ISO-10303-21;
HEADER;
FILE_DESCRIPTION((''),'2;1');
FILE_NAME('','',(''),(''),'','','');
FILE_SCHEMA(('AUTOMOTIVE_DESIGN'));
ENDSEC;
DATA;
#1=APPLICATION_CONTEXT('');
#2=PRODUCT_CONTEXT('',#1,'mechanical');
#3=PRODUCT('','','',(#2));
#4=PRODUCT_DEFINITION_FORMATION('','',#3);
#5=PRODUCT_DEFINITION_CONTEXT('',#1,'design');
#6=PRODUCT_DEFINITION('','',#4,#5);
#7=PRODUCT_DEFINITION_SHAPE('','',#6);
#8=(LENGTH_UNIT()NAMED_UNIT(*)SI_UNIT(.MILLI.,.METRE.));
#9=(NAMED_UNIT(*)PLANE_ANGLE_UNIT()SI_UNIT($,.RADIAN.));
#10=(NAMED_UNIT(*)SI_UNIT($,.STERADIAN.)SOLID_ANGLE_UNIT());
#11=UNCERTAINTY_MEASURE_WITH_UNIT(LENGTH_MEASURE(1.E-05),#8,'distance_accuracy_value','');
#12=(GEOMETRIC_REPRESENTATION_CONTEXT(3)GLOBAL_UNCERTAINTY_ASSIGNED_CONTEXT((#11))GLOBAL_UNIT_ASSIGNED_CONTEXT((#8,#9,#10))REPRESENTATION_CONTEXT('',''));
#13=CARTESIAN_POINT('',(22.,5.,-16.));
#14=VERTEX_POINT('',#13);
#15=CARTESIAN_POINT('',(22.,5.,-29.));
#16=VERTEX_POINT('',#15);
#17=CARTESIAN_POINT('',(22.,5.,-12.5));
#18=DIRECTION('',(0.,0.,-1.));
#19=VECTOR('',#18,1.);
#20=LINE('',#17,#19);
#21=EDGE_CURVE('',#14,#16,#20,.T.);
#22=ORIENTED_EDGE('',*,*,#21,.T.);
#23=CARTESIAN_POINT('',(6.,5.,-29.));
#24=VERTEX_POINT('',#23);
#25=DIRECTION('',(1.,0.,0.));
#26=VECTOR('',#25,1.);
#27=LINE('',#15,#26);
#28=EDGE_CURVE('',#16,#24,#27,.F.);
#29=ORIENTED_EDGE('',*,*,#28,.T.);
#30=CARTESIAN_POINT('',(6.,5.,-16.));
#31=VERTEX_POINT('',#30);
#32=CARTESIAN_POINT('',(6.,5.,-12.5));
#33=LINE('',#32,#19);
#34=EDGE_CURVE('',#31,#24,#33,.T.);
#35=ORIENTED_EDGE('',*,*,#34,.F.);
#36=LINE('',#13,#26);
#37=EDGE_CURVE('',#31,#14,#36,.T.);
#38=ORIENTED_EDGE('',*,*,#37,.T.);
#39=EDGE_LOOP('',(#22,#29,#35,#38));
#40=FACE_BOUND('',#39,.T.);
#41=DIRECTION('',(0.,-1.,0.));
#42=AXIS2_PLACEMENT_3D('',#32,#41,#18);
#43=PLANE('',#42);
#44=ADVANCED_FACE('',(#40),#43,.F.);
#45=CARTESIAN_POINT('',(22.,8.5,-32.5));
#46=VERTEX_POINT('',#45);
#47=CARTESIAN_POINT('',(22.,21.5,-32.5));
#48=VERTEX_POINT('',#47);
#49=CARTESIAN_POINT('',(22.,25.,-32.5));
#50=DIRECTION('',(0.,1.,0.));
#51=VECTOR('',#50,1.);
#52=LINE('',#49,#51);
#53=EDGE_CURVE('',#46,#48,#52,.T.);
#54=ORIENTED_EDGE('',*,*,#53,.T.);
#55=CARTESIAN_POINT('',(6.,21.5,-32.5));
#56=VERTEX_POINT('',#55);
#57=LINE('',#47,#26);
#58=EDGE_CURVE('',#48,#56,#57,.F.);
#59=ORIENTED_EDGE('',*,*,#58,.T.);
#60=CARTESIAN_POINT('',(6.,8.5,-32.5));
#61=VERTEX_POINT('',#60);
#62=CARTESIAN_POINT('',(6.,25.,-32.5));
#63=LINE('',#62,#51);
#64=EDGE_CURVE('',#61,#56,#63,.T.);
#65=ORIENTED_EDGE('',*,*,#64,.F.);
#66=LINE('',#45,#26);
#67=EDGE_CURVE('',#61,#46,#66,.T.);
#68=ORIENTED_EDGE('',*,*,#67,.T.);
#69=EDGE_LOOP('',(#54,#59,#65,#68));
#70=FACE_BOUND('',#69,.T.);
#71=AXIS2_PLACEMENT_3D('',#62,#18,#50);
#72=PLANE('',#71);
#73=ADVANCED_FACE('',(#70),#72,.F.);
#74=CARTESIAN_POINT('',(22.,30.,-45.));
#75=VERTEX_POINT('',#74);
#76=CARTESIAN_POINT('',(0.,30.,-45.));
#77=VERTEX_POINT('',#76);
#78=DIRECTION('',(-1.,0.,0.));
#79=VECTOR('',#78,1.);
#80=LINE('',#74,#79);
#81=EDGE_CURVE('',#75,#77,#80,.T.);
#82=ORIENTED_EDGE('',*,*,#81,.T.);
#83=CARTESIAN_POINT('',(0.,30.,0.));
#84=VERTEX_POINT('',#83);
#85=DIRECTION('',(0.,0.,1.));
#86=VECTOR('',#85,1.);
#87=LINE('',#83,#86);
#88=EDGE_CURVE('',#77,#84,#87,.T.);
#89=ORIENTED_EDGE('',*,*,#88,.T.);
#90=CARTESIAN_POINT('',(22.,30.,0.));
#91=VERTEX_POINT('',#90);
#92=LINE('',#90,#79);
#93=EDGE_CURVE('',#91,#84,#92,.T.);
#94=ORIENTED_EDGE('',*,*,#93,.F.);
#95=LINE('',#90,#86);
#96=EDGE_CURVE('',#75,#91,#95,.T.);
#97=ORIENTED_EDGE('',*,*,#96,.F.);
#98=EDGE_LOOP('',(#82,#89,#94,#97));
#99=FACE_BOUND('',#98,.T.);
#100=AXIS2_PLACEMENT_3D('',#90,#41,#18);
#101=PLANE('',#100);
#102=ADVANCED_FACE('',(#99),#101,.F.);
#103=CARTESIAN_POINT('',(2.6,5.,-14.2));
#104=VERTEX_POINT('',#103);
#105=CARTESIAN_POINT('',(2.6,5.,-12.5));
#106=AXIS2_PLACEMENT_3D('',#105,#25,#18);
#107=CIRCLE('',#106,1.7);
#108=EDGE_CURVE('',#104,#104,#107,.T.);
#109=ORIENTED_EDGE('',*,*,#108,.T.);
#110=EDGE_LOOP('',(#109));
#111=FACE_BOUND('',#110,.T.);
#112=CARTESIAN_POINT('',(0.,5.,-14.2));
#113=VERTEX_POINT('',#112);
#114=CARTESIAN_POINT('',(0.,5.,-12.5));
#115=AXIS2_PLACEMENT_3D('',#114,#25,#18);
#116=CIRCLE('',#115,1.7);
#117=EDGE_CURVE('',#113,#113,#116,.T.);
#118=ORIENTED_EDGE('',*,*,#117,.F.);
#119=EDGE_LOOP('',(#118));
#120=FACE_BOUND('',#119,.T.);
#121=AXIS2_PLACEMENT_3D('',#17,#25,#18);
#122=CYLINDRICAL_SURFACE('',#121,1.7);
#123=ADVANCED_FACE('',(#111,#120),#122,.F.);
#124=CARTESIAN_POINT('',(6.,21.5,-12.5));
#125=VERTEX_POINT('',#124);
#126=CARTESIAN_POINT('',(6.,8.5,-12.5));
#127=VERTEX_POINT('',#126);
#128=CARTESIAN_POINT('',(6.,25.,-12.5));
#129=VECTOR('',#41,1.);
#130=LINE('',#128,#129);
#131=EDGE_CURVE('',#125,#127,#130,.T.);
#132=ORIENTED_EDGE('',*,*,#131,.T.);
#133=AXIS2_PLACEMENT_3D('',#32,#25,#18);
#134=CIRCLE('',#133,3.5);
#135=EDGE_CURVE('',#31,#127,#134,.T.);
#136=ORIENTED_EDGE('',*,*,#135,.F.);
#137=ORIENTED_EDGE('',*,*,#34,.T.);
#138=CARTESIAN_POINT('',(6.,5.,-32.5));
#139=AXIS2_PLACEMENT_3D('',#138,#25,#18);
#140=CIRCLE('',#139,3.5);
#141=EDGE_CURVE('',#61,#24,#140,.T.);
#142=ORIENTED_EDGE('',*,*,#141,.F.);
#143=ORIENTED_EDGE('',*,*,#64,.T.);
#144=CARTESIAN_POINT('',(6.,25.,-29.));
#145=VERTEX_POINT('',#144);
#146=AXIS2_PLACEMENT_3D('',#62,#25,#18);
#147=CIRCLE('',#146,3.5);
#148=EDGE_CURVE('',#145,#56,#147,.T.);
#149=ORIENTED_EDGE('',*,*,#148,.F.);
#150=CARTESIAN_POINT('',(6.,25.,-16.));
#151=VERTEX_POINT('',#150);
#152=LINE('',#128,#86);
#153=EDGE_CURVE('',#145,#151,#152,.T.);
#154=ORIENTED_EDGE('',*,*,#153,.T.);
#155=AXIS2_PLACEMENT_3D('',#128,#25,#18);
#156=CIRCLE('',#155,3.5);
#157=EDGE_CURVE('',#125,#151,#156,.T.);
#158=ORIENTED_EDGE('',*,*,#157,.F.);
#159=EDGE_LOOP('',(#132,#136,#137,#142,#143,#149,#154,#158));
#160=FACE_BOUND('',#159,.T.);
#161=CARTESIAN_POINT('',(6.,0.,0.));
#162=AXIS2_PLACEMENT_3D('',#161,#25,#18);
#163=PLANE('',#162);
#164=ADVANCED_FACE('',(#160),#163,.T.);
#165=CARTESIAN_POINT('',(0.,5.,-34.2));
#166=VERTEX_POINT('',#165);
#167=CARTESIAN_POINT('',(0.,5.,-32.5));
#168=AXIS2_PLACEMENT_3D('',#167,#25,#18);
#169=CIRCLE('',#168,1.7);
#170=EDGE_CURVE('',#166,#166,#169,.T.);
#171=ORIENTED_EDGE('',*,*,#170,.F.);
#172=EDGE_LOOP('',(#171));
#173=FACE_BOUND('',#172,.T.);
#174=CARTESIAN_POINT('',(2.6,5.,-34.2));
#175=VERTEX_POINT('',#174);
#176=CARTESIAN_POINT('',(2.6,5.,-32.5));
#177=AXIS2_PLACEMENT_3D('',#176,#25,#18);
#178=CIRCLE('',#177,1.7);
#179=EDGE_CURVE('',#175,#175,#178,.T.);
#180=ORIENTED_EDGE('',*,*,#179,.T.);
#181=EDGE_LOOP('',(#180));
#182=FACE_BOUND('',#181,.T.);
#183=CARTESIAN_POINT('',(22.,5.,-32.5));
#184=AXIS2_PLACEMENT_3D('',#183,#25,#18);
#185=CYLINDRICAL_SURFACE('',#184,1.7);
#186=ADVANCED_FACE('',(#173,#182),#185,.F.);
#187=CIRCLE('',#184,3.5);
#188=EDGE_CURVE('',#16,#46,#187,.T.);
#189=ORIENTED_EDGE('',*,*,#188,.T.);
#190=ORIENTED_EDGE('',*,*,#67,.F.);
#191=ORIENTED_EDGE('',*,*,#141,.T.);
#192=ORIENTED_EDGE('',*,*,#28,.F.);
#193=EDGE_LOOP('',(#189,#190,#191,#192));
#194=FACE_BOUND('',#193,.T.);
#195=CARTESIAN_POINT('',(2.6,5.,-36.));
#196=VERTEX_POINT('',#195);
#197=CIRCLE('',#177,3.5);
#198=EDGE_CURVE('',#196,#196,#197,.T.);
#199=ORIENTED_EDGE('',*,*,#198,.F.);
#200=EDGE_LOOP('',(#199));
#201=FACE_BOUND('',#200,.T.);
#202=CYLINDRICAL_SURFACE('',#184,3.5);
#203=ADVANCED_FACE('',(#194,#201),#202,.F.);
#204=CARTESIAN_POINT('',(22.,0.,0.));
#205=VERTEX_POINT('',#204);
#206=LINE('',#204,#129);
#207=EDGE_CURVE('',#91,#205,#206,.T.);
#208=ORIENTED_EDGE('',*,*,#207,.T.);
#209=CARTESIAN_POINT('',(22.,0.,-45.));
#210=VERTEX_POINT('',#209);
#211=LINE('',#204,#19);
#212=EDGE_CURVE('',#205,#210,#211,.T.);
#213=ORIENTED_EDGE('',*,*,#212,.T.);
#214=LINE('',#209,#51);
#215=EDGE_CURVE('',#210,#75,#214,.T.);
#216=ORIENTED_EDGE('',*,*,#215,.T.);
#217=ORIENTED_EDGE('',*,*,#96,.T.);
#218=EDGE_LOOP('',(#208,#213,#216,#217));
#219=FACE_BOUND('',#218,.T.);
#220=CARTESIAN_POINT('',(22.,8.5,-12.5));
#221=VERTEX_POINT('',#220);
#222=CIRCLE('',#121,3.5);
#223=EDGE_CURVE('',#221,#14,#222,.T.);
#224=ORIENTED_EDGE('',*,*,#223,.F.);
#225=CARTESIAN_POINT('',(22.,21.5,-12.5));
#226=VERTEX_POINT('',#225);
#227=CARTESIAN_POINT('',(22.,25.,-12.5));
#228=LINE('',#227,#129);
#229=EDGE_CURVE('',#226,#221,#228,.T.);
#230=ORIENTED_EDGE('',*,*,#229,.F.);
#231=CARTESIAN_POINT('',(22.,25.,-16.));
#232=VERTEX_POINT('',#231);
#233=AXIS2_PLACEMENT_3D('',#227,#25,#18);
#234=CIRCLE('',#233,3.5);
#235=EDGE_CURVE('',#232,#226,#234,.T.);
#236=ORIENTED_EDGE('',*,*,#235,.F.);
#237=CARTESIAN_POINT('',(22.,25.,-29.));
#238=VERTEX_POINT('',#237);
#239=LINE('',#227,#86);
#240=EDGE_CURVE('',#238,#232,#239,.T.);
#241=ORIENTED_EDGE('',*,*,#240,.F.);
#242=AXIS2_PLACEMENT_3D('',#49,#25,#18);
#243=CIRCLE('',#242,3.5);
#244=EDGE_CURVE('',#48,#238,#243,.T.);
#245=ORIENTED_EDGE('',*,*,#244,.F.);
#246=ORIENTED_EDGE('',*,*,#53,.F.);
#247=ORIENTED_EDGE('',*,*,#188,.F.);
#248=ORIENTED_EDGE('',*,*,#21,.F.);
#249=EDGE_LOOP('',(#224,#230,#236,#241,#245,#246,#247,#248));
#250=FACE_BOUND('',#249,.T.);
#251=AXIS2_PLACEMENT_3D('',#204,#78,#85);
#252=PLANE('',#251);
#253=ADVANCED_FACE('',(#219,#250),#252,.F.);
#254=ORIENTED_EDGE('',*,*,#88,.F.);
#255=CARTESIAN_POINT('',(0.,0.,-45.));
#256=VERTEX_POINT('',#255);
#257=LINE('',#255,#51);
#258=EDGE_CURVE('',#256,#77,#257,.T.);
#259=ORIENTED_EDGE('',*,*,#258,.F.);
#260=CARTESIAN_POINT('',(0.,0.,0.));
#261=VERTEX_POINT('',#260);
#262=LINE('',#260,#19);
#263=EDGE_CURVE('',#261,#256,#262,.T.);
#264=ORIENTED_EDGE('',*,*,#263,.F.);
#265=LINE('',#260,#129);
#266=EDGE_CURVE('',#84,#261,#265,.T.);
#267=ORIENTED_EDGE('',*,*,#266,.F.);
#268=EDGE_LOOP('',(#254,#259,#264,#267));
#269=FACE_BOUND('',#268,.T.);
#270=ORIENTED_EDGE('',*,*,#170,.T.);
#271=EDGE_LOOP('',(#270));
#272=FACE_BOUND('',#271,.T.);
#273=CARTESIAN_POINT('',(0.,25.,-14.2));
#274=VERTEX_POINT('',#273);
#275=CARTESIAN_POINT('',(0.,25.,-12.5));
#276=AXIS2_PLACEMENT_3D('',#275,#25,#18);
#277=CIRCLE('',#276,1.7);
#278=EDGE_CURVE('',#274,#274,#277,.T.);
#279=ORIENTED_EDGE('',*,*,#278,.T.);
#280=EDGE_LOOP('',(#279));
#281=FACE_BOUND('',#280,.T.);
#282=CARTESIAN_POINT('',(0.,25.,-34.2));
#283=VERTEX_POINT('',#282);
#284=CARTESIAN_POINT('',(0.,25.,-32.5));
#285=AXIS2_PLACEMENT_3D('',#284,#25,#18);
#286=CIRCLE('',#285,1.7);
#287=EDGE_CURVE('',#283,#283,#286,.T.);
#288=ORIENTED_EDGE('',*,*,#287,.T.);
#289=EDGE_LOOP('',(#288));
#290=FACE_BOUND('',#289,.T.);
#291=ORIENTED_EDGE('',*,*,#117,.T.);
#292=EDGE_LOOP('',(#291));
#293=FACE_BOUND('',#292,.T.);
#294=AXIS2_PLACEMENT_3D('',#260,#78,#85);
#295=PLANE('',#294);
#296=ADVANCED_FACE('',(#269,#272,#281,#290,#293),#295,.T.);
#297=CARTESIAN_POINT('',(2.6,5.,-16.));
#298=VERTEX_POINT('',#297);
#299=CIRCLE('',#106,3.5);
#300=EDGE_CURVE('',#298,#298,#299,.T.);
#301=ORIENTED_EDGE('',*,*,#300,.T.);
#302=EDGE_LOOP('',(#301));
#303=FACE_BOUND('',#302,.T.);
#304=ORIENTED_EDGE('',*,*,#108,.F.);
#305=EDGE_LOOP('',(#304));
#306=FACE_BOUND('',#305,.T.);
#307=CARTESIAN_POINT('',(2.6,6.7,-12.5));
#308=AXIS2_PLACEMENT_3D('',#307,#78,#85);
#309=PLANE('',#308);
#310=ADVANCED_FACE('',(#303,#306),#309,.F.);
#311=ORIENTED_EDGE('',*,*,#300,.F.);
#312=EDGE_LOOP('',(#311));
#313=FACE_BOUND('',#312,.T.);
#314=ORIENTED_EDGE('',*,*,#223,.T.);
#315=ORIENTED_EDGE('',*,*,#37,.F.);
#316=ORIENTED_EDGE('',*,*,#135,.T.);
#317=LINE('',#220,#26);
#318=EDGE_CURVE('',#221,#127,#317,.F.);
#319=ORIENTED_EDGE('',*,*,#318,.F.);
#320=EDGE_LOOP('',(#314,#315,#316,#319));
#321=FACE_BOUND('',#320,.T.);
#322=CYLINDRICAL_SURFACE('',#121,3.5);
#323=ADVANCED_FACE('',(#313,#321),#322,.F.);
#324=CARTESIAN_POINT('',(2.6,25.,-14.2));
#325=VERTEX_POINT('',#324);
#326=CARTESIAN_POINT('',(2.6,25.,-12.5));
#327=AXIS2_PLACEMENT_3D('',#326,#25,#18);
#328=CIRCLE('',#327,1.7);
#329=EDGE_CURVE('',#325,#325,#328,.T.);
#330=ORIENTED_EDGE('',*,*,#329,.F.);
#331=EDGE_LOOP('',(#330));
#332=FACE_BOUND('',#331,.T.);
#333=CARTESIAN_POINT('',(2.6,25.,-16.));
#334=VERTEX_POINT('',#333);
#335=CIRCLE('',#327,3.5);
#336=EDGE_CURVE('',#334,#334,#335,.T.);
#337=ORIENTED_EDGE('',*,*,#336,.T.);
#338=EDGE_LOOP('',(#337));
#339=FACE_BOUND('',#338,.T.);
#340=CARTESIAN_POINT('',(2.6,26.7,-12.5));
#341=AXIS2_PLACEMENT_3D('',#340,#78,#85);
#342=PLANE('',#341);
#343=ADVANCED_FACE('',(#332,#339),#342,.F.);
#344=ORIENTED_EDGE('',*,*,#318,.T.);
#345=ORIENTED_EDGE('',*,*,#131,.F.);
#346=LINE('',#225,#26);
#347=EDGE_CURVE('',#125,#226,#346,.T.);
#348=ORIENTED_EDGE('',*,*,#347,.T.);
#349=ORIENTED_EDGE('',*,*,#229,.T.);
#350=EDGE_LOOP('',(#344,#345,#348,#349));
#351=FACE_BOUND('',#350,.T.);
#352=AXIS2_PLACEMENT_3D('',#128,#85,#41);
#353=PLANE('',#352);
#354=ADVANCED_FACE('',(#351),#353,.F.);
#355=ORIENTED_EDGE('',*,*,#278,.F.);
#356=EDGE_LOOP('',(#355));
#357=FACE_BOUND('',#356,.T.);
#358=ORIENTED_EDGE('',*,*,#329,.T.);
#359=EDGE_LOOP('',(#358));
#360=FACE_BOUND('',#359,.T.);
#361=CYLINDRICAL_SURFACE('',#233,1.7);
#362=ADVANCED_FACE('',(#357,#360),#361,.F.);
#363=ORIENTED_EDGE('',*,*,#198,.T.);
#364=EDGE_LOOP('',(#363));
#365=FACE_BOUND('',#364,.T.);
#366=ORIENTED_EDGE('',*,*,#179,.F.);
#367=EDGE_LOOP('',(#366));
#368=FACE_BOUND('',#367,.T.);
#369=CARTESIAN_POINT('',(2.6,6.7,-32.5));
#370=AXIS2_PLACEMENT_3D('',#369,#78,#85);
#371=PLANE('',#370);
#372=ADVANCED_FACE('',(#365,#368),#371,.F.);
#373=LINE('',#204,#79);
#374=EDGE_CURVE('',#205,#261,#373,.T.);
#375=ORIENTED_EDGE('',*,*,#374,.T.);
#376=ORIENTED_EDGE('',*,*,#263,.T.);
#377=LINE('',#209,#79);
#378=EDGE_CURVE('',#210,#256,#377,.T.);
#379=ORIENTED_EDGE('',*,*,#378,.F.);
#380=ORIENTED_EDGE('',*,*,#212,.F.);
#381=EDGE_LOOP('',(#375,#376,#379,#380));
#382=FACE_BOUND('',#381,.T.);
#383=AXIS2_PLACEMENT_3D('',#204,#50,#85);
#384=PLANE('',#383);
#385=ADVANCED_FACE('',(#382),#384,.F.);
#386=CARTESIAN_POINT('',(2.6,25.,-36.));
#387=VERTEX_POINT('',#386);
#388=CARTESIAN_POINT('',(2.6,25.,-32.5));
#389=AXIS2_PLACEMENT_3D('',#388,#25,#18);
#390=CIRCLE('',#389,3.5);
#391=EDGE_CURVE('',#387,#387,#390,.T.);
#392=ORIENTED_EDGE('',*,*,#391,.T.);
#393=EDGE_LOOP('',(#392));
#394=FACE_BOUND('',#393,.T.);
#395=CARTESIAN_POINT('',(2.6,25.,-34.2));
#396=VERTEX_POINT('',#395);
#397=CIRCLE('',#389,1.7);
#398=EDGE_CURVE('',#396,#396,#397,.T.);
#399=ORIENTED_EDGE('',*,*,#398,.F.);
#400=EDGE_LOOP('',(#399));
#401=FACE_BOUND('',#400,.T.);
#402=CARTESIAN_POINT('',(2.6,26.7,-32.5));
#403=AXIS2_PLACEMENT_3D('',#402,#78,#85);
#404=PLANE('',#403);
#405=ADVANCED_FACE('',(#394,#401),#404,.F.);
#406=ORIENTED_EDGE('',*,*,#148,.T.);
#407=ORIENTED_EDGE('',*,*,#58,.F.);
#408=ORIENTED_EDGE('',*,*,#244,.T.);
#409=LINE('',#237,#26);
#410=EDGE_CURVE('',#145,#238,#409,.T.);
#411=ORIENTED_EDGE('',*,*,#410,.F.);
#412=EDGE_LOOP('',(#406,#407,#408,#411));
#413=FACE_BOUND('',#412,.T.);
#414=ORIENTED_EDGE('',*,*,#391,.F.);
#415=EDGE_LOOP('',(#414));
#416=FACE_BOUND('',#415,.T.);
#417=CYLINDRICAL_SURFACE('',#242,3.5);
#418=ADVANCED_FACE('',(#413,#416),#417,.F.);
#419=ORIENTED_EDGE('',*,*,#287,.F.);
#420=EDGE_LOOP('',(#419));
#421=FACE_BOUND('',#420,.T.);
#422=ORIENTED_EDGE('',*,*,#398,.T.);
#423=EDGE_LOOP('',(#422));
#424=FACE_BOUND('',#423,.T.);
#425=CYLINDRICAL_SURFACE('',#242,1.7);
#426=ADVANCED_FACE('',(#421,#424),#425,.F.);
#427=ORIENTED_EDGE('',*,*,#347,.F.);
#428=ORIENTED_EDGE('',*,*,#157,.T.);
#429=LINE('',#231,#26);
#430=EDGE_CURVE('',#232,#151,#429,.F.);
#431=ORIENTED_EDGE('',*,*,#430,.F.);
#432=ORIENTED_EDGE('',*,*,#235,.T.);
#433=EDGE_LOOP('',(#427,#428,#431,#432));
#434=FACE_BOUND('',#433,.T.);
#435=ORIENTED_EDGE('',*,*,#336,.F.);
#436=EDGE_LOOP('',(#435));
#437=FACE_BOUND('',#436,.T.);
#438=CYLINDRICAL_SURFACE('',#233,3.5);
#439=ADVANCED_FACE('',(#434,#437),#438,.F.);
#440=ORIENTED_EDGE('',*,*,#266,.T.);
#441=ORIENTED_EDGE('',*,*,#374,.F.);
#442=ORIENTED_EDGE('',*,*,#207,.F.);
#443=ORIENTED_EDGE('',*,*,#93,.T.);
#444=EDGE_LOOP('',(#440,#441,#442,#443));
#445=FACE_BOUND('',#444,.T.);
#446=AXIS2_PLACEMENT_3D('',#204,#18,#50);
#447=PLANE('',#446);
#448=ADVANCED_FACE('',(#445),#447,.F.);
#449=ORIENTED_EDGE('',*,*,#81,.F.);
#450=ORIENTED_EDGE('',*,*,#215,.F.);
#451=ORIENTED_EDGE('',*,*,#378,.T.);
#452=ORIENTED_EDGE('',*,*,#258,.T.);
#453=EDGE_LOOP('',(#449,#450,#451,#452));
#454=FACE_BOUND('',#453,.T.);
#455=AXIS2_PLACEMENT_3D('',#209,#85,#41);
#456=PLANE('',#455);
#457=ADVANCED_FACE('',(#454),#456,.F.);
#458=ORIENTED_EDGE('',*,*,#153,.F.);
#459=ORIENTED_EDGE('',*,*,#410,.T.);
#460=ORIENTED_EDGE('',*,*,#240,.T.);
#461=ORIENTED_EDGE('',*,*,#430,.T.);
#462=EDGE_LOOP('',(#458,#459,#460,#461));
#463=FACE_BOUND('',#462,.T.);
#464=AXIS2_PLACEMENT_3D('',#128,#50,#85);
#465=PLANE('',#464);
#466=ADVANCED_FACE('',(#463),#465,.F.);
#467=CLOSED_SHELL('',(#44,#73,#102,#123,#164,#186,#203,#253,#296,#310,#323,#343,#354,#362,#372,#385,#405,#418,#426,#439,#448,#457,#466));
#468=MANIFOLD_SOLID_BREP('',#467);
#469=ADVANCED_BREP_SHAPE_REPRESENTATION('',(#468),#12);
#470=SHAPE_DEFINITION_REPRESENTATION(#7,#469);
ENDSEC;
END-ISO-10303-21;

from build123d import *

# Parameters (mm, degrees)
SKETCH1_W                                = 45
SKETCH1_H                                = 30
BOSS_EXTRUDE1_DEPTH                      = 22
SKETCH3_W                                = 20
SKETCH3_H                                = 20
CUT_EXTRUDE1_DEPTH                       = 16
CBORE_FOR_M3_PAN_HEAD_SCREW4_D           = 3.4
CBORE_FOR_M3_PAN_HEAD_SCREW4_CBORE_D     = 7
CBORE_FOR_M3_PAN_HEAD_SCREW4_CBORE_DEPTH = 19.4


with BuildPart() as part:
    # Sketch1 → Boss-Extrude1 (new body)
    with BuildSketch(Plane(origin=(0, 0, 0), x_dir=(0, 0, -1), z_dir=(1, 0, 0))):
        with Locations((22.5, 15)):
            Rectangle(SKETCH1_W, SKETCH1_H)
    extrude(amount=BOSS_EXTRUDE1_DEPTH)

    # Sketch3 → Cut-Extrude1 (cut)
    with BuildSketch(Plane(origin=(22, 0, 0), x_dir=(0, 0, -1), z_dir=(1, 0, 0))):
        with Locations((22.5, 15)):
            Rectangle(SKETCH3_W, SKETCH3_H)
    extrude(amount=-CUT_EXTRUDE1_DEPTH, mode=Mode.SUBTRACT)

    # CBORE for M3 Pan Head Screw4 (through all)
    with Locations(Plane(origin=(22, 0, 0), x_dir=(0, 0, -1), z_dir=(1, 0, 0))):
        with Locations((12.5, 25), (32.5, 25), (32.5, 5), (12.5, 5)):
            CounterBoreHole(CBORE_FOR_M3_PAN_HEAD_SCREW4_D / 2, CBORE_FOR_M3_PAN_HEAD_SCREW4_CBORE_D / 2, CBORE_FOR_M3_PAN_HEAD_SCREW4_CBORE_DEPTH)


solid = part.part
